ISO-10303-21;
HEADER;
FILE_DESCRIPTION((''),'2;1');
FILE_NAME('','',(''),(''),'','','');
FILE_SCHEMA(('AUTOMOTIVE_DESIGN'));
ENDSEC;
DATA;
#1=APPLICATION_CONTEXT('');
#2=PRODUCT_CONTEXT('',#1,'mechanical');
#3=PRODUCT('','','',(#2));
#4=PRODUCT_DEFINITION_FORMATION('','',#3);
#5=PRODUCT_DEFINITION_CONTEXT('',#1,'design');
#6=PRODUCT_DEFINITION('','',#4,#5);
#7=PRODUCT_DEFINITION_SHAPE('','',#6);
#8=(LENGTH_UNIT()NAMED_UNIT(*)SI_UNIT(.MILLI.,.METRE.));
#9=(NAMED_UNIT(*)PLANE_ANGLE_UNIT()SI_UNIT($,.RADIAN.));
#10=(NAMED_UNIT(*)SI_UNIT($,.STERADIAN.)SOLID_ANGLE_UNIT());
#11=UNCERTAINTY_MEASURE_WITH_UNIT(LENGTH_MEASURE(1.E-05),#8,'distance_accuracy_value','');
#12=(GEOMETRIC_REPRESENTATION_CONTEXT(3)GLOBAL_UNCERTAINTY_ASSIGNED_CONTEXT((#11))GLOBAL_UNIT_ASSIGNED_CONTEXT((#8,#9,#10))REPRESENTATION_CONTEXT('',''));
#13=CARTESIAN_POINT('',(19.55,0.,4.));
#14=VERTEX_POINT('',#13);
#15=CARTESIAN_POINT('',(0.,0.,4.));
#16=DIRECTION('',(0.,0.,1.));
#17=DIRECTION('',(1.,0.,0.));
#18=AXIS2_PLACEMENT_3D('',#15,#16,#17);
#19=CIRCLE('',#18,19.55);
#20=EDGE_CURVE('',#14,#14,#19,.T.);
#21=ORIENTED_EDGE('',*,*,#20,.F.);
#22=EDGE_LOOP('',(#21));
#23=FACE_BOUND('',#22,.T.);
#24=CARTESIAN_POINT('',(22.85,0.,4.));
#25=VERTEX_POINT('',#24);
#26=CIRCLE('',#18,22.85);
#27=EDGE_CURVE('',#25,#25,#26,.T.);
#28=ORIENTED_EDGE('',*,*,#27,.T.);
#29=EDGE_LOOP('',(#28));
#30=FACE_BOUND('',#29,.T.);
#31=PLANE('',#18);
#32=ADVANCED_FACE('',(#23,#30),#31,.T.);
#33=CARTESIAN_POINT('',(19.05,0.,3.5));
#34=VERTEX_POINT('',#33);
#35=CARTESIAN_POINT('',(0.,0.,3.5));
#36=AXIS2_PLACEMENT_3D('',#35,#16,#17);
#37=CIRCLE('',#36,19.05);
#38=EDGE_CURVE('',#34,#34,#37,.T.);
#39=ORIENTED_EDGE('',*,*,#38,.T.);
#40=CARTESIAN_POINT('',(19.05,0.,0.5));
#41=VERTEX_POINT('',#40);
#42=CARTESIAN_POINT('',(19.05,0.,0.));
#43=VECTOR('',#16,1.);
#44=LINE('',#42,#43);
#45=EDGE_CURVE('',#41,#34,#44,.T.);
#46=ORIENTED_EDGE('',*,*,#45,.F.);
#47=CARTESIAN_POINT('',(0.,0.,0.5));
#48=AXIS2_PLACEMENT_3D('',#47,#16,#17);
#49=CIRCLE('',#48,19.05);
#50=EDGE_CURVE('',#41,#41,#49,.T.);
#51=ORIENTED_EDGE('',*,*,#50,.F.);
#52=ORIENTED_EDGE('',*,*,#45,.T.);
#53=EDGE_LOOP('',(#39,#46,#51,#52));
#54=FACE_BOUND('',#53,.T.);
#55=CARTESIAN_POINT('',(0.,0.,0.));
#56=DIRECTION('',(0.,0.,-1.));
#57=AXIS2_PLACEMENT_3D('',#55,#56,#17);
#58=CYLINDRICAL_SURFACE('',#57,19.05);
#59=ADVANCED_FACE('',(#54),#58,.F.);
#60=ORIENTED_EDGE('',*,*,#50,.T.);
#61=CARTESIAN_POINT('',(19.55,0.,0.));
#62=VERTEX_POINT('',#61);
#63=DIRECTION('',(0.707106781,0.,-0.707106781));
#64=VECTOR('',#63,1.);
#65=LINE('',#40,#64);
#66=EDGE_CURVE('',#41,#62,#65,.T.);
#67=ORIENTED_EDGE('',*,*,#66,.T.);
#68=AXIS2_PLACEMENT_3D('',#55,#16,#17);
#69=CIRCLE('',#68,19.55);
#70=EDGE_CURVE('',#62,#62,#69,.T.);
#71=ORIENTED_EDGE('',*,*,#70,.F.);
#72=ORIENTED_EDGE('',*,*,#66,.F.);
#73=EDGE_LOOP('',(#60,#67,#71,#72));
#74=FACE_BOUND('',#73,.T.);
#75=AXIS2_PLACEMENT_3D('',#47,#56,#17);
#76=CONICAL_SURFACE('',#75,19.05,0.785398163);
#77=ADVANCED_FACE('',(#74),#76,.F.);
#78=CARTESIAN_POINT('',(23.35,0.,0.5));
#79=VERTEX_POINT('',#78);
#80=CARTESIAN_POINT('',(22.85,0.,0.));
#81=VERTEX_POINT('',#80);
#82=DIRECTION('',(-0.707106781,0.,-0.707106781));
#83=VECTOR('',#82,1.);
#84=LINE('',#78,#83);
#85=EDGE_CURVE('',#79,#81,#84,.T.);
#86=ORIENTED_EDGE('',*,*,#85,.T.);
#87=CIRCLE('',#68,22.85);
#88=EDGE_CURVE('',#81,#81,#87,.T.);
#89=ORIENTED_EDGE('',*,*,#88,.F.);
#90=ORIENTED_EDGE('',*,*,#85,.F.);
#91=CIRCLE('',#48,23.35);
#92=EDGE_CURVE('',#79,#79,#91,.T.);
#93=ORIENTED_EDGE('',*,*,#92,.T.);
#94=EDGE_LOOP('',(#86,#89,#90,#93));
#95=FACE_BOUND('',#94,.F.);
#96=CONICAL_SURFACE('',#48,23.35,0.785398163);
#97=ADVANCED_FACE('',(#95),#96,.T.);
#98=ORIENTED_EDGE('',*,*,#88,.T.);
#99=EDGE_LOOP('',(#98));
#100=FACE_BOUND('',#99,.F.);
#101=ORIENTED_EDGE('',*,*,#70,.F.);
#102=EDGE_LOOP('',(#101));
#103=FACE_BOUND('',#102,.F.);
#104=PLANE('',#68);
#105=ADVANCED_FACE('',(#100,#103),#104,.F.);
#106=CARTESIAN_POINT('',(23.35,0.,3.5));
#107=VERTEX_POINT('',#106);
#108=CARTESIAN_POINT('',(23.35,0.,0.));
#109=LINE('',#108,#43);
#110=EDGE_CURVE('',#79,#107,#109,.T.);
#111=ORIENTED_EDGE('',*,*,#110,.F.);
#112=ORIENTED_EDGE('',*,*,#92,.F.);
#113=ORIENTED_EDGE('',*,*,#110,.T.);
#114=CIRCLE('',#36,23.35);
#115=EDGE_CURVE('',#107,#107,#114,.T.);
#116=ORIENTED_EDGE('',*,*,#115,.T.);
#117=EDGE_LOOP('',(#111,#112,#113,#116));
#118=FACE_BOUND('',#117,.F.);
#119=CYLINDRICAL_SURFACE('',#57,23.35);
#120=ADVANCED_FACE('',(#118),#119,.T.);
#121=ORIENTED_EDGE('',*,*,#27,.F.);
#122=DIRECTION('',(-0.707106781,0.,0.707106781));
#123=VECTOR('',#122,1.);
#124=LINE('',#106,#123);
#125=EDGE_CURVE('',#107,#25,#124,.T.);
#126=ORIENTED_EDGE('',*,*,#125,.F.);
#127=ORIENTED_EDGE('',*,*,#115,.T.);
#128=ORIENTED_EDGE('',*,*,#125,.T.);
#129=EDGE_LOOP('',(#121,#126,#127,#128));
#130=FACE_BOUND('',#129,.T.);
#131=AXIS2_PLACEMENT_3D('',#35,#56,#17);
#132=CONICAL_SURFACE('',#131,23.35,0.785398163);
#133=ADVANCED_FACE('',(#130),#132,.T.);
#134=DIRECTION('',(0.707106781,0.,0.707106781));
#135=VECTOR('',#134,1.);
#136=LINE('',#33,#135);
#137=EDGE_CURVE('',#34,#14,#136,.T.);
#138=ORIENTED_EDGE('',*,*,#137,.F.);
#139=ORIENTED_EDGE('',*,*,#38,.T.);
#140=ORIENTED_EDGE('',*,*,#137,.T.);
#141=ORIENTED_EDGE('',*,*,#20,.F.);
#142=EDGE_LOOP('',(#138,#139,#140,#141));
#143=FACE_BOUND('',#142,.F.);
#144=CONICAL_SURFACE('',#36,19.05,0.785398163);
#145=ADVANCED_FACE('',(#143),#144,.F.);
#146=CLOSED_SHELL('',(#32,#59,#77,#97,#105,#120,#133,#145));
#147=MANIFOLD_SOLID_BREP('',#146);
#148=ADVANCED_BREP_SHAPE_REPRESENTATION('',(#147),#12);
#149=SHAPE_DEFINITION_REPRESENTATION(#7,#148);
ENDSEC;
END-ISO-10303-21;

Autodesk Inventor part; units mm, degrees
ref_plane "YZ Plane" through (0, 0, 0) normal (1, 0, 0) x (0, 1, 0)
ref_plane "XZ Plane" through (0, 0, 0) normal (0, 1, 0) x (-1, 0, 0)
ref_plane "XY Plane" through (0, 0, 0) normal (0, 0, 1) x (1, 0, 0)
sketch "草图1" plane through (0, 0, 0) normal (0, 0, 1) x (1, 0, 0)
  circle A0 centre (0, 0) radius 23.35
  circle A1 centre (0, 0) radius 19.05
extrude "拉伸1" add sketch "草图1" along normal blind 4
chamfer "倒角1" distance 0.5 angle 45 4 edges at (-19.05, 0, 4) (-19.05, 0, 0) (-23.35, 0, 4) (-23.35, 0, 0)
properties part number "my_attempt_v2"
